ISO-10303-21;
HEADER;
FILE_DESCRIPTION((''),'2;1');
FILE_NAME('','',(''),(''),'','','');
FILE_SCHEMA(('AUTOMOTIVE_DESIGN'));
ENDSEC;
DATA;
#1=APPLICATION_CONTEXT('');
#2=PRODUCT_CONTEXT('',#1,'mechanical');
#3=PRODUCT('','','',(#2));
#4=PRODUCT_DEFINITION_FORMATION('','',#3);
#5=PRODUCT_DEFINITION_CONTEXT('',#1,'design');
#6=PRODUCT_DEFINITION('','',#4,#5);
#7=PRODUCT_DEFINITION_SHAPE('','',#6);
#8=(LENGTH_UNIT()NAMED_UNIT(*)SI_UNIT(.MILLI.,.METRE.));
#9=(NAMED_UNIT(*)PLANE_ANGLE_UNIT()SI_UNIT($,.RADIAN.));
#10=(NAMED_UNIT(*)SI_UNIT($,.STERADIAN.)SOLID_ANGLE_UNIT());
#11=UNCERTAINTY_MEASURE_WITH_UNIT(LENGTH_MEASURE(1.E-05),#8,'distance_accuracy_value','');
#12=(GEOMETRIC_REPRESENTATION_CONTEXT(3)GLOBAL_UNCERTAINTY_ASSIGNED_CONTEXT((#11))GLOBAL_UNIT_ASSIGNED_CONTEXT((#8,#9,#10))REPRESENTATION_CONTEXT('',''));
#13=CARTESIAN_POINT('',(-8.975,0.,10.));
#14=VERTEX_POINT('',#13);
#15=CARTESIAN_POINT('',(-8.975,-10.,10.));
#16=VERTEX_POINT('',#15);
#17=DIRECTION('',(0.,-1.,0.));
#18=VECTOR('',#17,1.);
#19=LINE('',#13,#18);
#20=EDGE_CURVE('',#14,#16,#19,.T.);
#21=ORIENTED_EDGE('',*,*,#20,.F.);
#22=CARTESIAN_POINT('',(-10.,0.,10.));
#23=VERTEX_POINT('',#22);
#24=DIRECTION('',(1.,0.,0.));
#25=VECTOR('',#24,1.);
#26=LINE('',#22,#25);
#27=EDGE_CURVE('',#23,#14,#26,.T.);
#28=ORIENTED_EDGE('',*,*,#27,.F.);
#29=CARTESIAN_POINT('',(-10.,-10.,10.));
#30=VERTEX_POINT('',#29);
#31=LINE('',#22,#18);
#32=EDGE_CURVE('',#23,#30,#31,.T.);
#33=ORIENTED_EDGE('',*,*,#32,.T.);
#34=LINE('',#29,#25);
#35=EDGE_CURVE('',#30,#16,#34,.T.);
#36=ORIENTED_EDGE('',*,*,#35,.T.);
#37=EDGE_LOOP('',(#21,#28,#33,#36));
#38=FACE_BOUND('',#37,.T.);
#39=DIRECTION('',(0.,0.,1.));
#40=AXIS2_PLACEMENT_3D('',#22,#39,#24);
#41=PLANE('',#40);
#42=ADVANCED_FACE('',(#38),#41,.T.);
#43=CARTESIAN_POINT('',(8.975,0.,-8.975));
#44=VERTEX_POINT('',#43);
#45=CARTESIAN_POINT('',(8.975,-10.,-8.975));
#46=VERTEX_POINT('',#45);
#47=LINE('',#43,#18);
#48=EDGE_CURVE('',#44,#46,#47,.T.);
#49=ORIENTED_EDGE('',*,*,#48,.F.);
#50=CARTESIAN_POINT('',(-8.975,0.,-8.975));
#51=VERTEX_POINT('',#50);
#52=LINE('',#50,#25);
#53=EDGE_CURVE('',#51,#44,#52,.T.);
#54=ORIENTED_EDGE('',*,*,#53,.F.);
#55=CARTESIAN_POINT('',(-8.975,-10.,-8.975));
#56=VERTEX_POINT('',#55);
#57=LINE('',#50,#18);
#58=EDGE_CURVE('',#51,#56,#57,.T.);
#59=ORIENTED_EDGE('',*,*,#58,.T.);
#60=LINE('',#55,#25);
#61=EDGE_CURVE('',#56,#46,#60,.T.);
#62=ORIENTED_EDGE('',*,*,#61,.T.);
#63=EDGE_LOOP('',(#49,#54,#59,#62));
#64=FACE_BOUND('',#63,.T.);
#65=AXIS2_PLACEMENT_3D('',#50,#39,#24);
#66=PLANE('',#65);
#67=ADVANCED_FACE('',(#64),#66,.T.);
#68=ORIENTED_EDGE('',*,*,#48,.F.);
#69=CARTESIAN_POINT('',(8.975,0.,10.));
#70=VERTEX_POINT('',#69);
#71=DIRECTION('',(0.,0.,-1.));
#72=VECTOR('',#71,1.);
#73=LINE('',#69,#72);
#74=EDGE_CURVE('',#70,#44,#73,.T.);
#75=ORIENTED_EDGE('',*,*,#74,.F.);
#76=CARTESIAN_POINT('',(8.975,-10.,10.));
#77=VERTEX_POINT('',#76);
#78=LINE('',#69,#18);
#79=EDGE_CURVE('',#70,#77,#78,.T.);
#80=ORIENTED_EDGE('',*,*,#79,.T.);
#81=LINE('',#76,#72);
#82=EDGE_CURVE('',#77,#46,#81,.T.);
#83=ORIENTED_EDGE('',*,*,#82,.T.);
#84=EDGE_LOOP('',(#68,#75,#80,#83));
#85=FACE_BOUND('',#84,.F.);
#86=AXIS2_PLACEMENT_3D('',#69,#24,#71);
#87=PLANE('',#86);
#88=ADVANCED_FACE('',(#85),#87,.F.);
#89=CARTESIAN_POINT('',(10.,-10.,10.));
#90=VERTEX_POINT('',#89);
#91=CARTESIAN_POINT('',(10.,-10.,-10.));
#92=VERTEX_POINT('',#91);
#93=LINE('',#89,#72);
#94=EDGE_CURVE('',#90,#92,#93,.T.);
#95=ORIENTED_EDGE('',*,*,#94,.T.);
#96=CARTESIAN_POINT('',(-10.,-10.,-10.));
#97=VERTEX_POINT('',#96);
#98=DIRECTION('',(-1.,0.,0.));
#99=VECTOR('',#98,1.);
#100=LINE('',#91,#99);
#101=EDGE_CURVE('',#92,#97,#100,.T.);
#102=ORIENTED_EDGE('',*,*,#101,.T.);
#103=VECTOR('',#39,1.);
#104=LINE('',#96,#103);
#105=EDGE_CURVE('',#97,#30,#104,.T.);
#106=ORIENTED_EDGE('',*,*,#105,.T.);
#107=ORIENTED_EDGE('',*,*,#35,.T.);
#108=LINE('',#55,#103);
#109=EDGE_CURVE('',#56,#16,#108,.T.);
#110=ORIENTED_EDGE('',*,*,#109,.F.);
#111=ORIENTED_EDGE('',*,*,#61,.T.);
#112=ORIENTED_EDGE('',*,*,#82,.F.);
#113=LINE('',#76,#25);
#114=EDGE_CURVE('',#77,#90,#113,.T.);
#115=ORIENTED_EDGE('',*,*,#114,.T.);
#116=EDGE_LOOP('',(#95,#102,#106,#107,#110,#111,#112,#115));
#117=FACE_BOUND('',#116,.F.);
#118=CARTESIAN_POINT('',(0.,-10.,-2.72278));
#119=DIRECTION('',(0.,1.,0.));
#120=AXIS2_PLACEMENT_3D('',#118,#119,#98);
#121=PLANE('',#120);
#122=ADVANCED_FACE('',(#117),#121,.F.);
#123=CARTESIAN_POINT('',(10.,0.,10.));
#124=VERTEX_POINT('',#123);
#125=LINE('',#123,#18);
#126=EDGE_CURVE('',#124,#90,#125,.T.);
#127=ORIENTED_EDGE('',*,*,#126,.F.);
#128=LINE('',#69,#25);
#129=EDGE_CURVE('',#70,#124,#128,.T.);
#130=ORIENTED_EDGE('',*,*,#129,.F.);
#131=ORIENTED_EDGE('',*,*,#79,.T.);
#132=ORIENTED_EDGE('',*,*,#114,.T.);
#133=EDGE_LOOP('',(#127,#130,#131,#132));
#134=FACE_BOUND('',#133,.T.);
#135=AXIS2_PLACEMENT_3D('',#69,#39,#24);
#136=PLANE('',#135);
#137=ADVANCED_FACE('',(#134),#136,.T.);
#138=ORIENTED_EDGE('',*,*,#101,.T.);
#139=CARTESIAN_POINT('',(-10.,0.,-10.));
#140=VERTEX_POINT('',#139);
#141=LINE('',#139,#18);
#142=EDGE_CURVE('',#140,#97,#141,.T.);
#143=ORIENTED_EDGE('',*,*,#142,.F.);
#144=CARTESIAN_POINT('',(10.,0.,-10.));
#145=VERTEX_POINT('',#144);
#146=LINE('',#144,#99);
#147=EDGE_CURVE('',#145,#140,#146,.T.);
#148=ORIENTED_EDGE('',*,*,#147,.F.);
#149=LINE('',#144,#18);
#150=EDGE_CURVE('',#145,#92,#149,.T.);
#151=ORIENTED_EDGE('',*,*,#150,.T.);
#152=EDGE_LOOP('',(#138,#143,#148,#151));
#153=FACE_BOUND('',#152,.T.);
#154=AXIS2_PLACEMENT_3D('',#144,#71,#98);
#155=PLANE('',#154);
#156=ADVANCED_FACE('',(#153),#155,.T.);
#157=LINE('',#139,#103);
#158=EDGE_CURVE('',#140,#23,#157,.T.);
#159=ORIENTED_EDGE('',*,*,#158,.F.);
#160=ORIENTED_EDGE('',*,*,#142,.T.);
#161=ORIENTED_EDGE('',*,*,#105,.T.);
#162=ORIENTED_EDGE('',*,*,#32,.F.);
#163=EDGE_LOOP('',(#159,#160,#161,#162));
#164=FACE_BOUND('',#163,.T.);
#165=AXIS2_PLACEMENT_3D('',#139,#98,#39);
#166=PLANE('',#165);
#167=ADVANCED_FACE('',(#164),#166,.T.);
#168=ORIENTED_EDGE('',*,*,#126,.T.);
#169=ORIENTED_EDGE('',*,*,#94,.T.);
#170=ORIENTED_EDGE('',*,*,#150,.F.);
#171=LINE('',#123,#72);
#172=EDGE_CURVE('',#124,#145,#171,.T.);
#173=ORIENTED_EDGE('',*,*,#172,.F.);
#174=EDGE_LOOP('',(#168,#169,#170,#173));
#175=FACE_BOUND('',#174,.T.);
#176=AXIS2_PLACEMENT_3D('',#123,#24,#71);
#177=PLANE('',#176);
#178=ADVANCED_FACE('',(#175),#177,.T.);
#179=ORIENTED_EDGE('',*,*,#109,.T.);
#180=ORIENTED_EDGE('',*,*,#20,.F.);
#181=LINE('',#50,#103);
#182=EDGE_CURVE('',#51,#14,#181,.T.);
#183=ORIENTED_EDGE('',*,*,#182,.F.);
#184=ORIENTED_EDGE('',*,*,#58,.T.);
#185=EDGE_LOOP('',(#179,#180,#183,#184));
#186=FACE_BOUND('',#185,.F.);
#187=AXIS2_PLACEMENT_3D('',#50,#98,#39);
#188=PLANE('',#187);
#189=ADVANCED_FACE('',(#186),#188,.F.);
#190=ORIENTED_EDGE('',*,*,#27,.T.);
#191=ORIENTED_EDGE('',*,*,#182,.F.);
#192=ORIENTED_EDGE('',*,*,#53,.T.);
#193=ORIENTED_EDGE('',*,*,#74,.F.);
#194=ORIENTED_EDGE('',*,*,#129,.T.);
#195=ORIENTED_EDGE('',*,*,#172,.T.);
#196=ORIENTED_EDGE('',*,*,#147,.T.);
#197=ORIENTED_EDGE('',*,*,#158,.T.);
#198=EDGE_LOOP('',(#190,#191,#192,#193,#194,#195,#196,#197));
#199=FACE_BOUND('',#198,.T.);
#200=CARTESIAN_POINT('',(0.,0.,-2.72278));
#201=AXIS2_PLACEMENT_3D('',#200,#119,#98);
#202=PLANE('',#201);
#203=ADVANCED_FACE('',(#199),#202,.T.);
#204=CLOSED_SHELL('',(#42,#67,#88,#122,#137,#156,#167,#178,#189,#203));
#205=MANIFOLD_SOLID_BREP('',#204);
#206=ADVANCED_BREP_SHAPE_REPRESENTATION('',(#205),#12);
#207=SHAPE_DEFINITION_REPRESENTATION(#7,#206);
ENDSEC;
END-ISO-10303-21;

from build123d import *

# Parameters (mm, degrees)
PAD_DEPTH = 10


with BuildPart() as part:
    # Sketch (on XZ_Plane of Origin) → Pad (new body)
    with BuildSketch(Plane.XZ):
        Polygon((-8.975, 8.975), (-8.975, -8.975), (8.975, -8.975), (8.975, 8.975), (8.975, 10), (10, 10), (10, -10), (-10, -10), (-10, 10), (-8.975, 10), align=None)
    extrude(amount=PAD_DEPTH)


solid = part.part
